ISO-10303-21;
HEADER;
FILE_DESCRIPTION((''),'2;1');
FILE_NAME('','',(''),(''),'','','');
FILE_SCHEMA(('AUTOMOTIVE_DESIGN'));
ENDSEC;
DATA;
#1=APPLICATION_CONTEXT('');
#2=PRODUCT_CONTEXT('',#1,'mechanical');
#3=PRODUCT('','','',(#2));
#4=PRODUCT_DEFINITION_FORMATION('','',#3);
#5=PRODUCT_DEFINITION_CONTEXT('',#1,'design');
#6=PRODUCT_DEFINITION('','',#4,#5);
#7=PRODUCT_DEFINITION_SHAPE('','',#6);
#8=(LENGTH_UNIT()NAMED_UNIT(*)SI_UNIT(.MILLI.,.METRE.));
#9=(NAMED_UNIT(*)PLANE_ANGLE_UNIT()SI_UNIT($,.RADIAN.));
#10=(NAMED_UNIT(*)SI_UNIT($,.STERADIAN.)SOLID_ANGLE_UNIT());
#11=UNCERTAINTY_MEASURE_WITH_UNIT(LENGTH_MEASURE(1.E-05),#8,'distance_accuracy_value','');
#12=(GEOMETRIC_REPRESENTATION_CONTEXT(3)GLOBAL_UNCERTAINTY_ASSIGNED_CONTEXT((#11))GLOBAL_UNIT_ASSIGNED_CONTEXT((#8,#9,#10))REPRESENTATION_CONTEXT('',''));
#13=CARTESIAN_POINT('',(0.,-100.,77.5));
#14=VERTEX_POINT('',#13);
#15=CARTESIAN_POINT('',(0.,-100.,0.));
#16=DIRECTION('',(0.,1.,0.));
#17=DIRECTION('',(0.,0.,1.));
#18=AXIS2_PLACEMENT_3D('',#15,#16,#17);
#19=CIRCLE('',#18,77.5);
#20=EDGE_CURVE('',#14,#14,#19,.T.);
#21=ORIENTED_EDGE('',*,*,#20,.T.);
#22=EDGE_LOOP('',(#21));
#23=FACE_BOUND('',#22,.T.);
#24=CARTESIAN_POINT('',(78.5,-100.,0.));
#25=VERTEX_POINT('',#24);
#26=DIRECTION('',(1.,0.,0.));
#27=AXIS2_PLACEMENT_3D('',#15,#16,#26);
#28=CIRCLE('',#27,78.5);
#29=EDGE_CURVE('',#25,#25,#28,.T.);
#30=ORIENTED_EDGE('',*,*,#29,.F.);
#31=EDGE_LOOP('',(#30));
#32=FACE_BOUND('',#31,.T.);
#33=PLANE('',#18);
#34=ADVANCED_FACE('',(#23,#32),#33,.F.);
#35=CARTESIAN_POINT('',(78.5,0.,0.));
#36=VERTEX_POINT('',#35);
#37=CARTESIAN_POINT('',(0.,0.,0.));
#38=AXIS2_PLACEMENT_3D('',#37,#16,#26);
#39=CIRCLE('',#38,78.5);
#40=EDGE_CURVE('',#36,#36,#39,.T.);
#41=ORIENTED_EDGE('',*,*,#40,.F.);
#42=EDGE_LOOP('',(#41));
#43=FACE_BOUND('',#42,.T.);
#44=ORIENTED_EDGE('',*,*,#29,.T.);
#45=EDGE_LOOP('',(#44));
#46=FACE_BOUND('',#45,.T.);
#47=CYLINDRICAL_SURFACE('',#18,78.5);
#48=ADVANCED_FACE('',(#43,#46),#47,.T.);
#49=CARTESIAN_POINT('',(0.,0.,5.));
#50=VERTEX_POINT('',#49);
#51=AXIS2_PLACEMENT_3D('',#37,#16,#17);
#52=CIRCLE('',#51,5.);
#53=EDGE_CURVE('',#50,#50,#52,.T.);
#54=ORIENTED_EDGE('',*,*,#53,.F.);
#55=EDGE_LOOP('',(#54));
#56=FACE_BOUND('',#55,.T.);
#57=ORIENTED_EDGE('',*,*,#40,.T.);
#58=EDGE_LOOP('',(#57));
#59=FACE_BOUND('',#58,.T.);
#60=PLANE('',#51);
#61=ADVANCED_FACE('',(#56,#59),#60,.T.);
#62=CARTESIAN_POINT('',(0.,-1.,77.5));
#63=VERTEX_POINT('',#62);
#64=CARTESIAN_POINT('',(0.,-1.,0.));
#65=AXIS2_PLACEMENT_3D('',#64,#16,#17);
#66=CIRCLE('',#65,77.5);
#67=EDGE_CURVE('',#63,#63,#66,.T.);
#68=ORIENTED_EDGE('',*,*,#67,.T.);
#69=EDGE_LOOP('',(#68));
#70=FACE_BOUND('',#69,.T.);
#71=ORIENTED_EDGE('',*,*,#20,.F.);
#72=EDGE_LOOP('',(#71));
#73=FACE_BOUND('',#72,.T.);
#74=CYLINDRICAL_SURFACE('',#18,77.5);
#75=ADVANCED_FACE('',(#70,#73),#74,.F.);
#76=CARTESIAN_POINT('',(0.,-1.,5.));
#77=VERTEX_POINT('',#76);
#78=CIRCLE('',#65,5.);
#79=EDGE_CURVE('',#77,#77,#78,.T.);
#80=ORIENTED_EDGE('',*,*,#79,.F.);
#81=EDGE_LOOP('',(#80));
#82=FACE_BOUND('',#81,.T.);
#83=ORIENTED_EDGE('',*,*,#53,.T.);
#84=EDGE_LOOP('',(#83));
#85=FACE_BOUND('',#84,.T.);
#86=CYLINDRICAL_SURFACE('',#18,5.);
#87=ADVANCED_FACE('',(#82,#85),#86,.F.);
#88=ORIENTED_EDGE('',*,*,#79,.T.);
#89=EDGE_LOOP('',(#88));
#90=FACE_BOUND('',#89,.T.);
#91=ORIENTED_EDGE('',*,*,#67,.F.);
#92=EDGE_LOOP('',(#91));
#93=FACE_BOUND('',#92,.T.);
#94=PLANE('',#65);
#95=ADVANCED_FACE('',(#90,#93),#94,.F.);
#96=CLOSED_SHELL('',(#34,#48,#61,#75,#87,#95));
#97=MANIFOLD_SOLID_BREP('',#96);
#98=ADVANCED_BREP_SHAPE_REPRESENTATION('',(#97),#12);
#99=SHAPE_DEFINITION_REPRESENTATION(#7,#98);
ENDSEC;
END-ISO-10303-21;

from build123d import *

# Parameters (mm, degrees)
SKETCH1_R           = 77.5
BOSS_EXTRUDE1_DEPTH = 1
SKETCH1_2_R         = 78.5
SKETCH1_2_R_2       = 77.5
EXTRUDE_THIN1_DEPTH = 100
SKETCH2_R           = 5
CUT_EXTRUDE1_DEPTH  = 101


with BuildPart() as part:
    # Sketch1 → Boss-Extrude1 (new body)
    with BuildSketch(Plane(origin=(0, 0, 0), x_dir=(1, 0, 0), z_dir=(0, 1, 0))):
        Circle(SKETCH1_R)
    extrude(amount=-BOSS_EXTRUDE1_DEPTH)

    # Sketch1<2> → Extrude-Thin1 (add)
    with BuildSketch(Plane(origin=(0, 0, 0), x_dir=(1, 0, 0), z_dir=(0, 1, 0))):
        Circle(SKETCH1_2_R)
        Circle(SKETCH1_2_R_2, mode=Mode.SUBTRACT)
    extrude(amount=-EXTRUDE_THIN1_DEPTH)

    # Sketch2 → Cut-Extrude1 (cut, through all)
    with BuildSketch(Plane(origin=(0, 0, 0), x_dir=(1, 0, 0), z_dir=(0, 1, 0))):
        Circle(SKETCH2_R)
    extrude(amount=-CUT_EXTRUDE1_DEPTH, mode=Mode.SUBTRACT)


solid = part.part
